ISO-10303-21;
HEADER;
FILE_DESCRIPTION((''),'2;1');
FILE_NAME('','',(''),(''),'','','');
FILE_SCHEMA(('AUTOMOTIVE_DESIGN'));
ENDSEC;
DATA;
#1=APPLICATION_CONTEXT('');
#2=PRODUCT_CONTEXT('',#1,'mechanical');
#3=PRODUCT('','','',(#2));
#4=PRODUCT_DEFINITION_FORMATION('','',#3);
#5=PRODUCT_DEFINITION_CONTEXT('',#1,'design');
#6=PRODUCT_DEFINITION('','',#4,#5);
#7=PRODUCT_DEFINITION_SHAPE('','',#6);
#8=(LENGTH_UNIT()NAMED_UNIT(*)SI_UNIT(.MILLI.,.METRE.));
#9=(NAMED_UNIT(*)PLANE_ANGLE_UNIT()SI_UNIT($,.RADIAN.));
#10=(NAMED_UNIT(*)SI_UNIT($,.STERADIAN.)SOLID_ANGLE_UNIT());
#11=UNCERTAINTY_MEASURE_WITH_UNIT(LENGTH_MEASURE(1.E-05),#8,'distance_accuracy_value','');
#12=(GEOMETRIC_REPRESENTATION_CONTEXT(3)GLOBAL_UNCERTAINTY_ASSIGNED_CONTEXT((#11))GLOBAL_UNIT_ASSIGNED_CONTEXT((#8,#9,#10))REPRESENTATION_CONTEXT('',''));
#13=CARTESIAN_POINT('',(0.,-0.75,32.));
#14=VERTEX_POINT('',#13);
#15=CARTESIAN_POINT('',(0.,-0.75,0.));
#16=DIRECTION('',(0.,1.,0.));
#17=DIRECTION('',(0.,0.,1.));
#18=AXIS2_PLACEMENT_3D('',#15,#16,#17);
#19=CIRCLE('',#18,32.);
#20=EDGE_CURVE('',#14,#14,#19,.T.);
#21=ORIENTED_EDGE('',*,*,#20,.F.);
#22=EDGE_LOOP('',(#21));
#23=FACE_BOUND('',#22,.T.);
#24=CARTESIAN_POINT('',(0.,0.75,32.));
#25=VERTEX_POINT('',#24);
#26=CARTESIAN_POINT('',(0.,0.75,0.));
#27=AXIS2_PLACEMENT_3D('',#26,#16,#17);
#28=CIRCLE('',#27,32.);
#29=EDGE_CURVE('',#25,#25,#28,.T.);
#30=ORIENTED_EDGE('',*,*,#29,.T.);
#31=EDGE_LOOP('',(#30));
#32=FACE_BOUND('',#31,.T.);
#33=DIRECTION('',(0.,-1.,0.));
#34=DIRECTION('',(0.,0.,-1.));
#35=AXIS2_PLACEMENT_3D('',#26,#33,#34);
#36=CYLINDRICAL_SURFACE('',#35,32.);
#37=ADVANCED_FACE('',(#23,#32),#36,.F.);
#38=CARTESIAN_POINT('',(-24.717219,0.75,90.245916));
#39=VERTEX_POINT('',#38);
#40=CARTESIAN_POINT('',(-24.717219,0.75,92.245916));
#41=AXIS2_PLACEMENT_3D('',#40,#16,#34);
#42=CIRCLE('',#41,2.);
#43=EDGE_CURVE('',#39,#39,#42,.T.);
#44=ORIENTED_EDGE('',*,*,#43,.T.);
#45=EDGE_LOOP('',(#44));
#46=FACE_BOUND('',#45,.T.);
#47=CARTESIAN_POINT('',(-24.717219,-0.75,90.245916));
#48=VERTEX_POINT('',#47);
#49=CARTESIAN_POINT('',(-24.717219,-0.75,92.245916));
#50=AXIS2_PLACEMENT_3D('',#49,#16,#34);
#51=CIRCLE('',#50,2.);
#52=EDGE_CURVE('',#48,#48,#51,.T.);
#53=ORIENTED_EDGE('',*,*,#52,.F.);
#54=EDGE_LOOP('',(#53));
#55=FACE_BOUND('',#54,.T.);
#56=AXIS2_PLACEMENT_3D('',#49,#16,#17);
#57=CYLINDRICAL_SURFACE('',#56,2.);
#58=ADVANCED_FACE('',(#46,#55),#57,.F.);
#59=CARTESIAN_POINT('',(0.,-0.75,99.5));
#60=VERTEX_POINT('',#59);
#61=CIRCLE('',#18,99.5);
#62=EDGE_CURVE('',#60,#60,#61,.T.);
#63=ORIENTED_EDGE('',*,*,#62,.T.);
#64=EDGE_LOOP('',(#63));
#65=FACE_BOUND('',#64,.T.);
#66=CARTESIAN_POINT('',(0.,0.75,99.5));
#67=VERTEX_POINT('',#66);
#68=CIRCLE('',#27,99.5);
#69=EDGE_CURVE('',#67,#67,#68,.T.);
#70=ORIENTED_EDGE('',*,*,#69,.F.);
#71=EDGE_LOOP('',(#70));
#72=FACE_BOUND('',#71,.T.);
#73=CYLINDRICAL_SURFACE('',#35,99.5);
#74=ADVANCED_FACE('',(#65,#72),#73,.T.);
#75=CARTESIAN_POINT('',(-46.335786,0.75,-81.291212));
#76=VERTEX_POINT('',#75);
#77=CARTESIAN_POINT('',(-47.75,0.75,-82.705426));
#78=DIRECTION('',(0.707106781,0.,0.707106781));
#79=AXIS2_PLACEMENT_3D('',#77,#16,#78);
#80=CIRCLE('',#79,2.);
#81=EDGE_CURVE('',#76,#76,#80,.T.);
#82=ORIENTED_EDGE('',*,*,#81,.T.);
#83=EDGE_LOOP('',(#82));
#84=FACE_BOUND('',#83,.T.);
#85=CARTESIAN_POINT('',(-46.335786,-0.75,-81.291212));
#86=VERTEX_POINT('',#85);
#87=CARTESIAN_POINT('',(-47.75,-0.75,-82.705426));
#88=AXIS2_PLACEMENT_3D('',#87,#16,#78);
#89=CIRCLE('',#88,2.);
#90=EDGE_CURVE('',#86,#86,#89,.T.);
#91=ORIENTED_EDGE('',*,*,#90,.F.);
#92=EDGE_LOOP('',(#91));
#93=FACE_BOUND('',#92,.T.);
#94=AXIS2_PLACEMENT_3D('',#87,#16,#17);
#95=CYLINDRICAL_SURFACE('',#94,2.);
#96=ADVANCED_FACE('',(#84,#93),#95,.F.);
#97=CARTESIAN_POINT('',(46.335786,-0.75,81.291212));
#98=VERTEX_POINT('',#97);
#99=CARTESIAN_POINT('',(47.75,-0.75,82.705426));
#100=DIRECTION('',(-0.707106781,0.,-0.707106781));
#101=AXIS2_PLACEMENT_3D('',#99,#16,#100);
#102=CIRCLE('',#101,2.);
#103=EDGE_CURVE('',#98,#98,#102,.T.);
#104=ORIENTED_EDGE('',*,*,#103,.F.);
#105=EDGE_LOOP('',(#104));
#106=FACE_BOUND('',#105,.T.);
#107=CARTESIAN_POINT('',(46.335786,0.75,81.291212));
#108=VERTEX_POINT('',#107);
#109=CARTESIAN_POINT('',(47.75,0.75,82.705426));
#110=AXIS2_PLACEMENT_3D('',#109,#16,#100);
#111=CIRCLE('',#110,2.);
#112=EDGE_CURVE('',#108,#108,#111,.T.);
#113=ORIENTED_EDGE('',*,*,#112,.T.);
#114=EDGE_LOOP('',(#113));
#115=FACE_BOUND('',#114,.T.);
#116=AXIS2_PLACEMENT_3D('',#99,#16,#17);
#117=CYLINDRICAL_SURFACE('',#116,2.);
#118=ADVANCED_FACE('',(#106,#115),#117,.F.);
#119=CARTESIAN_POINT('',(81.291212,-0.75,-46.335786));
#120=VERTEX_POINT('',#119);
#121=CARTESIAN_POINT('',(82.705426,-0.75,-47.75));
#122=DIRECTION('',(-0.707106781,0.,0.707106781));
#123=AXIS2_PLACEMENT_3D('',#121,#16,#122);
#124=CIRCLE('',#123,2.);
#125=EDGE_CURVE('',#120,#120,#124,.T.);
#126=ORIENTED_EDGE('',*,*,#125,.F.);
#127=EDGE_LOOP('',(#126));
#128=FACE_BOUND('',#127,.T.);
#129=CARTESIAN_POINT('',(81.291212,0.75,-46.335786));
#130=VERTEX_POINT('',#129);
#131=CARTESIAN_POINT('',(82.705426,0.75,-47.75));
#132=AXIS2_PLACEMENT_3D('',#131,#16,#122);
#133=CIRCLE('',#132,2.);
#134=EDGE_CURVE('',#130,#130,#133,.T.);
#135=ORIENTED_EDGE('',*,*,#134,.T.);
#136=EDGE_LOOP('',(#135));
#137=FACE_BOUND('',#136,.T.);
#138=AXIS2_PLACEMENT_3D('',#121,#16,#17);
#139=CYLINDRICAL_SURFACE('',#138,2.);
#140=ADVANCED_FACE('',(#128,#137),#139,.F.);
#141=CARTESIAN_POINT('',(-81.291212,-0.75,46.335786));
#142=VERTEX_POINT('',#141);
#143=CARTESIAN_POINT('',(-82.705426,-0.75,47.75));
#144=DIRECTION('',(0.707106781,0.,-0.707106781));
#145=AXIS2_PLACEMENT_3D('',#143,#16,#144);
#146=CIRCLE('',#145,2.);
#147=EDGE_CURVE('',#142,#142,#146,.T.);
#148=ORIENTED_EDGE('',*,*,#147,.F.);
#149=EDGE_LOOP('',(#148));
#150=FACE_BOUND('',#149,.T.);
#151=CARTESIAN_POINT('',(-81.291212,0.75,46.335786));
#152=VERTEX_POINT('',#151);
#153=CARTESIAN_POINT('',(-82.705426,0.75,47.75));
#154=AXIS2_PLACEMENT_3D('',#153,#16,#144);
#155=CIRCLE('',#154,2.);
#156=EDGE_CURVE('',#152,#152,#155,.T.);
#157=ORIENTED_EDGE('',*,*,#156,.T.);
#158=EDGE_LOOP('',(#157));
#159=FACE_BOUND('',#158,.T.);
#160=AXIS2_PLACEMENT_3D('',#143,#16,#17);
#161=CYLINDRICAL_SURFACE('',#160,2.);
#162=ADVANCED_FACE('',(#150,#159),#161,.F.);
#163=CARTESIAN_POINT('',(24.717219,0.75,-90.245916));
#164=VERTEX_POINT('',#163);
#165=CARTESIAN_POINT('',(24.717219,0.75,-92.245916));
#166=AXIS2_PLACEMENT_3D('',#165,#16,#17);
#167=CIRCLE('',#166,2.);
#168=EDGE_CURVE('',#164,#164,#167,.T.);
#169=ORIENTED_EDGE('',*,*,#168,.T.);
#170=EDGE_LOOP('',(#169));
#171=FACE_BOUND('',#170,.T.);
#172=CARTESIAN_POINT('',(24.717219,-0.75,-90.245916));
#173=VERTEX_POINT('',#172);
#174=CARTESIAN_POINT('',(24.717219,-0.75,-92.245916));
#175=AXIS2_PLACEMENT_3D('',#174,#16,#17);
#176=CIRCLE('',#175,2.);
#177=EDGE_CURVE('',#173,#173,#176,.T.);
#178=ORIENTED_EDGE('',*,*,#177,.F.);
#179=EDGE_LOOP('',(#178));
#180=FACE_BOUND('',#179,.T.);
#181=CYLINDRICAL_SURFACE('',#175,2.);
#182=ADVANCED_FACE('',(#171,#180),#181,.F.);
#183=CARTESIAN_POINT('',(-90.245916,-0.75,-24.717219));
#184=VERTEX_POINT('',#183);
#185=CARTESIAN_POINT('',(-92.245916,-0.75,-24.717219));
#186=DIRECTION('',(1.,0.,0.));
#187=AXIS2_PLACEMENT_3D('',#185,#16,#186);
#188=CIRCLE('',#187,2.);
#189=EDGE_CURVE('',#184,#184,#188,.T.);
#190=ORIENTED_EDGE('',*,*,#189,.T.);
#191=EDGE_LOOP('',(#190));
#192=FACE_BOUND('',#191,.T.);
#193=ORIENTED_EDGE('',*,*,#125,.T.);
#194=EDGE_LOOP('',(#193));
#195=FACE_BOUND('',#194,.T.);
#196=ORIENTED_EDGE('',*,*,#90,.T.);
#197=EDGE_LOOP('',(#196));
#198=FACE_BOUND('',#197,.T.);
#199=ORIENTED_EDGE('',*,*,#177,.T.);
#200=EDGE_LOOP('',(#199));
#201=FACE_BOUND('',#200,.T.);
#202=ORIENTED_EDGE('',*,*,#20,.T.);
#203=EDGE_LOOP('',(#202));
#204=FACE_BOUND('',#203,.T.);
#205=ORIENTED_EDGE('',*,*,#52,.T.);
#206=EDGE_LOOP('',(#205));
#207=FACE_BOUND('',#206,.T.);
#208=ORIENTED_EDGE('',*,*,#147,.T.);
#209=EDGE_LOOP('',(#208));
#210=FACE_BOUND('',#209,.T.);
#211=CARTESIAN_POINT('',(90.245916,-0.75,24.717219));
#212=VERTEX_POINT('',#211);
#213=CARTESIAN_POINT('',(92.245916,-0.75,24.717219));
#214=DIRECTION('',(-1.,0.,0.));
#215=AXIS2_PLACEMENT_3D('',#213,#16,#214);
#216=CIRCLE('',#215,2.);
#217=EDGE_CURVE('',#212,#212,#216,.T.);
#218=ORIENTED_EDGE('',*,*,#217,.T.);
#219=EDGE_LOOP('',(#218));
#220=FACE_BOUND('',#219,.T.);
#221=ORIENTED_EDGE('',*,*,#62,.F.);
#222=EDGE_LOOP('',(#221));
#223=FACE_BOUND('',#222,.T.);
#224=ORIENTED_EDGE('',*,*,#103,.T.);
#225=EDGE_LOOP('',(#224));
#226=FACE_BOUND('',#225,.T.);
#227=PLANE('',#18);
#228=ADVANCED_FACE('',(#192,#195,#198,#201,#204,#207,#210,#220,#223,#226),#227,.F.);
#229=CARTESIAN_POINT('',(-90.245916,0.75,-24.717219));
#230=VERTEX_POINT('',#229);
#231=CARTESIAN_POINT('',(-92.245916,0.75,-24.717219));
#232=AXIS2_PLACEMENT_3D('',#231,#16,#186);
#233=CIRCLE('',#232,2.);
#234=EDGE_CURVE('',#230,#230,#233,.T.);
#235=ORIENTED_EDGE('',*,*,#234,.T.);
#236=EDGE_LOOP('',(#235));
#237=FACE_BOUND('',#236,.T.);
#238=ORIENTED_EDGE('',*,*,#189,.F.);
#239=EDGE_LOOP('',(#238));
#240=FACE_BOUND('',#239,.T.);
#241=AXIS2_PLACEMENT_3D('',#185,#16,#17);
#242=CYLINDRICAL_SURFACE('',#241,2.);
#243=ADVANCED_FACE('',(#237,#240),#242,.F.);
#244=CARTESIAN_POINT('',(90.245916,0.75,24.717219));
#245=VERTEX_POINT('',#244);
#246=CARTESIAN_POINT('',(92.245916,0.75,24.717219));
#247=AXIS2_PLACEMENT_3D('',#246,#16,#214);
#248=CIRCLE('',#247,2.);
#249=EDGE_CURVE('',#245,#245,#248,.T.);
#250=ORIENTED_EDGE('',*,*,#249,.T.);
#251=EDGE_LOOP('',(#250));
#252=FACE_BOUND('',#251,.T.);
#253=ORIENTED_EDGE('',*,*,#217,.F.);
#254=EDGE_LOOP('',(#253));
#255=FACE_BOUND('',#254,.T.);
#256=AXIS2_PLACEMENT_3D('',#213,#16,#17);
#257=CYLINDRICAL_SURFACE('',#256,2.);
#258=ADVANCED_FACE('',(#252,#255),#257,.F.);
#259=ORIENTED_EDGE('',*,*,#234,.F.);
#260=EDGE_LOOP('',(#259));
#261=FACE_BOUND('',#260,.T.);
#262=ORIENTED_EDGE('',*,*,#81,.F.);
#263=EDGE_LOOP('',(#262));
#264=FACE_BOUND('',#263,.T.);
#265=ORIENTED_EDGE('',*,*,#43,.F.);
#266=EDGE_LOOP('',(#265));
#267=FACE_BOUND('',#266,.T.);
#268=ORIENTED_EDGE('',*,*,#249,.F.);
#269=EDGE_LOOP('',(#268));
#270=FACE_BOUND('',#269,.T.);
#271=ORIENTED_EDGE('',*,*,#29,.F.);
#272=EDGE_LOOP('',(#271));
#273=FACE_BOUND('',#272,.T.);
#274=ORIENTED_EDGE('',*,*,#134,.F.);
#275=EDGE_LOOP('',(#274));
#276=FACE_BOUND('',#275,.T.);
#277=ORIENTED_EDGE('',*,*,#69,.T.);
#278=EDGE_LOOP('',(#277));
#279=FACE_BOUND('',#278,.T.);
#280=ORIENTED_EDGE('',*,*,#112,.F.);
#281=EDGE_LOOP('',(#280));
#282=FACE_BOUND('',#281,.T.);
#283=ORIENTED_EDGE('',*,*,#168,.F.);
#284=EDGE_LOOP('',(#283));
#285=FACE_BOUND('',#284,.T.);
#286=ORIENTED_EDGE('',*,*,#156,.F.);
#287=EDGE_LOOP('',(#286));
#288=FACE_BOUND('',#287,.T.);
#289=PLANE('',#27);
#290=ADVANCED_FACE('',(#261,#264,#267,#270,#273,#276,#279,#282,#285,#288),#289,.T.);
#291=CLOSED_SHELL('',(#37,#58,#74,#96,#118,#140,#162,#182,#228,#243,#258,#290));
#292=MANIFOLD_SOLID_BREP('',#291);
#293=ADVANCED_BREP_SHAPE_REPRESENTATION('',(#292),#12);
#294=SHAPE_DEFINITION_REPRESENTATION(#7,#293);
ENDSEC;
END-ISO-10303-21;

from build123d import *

# Parameters (mm, degrees)
SKETCH1_R                     = 99.5
SKETCH1_R_2                   = 32
BASE_DEPTH                    = 0.75
SKETCH2_R                     = 2
STRUCTURAL_HOLE_DEPTH         = 141.722244155
STRUCTURAL_HOLE_PATTERN_COUNT = 8


with BuildPart() as part:
    # Sketch1 → Base (new, symmetric)
    with BuildSketch(Plane(origin=(0, 0, 0), x_dir=(1, 0, 0), z_dir=(0, 1, 0))):
        with Locations(Location((0, 0, 0), (0, 0, 270))):
            Circle(SKETCH1_R)
        with Locations(Location((0, 0, 0), (0, 0, 270))):
            Circle(SKETCH1_R_2, mode=Mode.SUBTRACT)
    extrude(amount=BASE_DEPTH, both=True)

    # Sketch2 → Structural Hole (cut, through all)
    with BuildSketch(Plane(origin=(0, 0.75, 0), x_dir=(1, 0, 0), z_dir=(0, 1, 0))):
        with Locations(Location((24.717218807, 92.245916411, 0), (0, 0, 270))):
            Circle(SKETCH2_R)
    structural_hole = extrude(amount=-STRUCTURAL_HOLE_DEPTH, mode=Mode.SUBTRACT)

    # Structural Hole Pattern: Structural Hole ×8 about axis
    structural_hole_pattern_axis = Axis((0, 0, 0), (0, 1, 0))
    for i in range(1, STRUCTURAL_HOLE_PATTERN_COUNT):
        add(structural_hole.rotate(structural_hole_pattern_axis, i * 360 / STRUCTURAL_HOLE_PATTERN_COUNT), mode=Mode.SUBTRACT)


solid = part.part
